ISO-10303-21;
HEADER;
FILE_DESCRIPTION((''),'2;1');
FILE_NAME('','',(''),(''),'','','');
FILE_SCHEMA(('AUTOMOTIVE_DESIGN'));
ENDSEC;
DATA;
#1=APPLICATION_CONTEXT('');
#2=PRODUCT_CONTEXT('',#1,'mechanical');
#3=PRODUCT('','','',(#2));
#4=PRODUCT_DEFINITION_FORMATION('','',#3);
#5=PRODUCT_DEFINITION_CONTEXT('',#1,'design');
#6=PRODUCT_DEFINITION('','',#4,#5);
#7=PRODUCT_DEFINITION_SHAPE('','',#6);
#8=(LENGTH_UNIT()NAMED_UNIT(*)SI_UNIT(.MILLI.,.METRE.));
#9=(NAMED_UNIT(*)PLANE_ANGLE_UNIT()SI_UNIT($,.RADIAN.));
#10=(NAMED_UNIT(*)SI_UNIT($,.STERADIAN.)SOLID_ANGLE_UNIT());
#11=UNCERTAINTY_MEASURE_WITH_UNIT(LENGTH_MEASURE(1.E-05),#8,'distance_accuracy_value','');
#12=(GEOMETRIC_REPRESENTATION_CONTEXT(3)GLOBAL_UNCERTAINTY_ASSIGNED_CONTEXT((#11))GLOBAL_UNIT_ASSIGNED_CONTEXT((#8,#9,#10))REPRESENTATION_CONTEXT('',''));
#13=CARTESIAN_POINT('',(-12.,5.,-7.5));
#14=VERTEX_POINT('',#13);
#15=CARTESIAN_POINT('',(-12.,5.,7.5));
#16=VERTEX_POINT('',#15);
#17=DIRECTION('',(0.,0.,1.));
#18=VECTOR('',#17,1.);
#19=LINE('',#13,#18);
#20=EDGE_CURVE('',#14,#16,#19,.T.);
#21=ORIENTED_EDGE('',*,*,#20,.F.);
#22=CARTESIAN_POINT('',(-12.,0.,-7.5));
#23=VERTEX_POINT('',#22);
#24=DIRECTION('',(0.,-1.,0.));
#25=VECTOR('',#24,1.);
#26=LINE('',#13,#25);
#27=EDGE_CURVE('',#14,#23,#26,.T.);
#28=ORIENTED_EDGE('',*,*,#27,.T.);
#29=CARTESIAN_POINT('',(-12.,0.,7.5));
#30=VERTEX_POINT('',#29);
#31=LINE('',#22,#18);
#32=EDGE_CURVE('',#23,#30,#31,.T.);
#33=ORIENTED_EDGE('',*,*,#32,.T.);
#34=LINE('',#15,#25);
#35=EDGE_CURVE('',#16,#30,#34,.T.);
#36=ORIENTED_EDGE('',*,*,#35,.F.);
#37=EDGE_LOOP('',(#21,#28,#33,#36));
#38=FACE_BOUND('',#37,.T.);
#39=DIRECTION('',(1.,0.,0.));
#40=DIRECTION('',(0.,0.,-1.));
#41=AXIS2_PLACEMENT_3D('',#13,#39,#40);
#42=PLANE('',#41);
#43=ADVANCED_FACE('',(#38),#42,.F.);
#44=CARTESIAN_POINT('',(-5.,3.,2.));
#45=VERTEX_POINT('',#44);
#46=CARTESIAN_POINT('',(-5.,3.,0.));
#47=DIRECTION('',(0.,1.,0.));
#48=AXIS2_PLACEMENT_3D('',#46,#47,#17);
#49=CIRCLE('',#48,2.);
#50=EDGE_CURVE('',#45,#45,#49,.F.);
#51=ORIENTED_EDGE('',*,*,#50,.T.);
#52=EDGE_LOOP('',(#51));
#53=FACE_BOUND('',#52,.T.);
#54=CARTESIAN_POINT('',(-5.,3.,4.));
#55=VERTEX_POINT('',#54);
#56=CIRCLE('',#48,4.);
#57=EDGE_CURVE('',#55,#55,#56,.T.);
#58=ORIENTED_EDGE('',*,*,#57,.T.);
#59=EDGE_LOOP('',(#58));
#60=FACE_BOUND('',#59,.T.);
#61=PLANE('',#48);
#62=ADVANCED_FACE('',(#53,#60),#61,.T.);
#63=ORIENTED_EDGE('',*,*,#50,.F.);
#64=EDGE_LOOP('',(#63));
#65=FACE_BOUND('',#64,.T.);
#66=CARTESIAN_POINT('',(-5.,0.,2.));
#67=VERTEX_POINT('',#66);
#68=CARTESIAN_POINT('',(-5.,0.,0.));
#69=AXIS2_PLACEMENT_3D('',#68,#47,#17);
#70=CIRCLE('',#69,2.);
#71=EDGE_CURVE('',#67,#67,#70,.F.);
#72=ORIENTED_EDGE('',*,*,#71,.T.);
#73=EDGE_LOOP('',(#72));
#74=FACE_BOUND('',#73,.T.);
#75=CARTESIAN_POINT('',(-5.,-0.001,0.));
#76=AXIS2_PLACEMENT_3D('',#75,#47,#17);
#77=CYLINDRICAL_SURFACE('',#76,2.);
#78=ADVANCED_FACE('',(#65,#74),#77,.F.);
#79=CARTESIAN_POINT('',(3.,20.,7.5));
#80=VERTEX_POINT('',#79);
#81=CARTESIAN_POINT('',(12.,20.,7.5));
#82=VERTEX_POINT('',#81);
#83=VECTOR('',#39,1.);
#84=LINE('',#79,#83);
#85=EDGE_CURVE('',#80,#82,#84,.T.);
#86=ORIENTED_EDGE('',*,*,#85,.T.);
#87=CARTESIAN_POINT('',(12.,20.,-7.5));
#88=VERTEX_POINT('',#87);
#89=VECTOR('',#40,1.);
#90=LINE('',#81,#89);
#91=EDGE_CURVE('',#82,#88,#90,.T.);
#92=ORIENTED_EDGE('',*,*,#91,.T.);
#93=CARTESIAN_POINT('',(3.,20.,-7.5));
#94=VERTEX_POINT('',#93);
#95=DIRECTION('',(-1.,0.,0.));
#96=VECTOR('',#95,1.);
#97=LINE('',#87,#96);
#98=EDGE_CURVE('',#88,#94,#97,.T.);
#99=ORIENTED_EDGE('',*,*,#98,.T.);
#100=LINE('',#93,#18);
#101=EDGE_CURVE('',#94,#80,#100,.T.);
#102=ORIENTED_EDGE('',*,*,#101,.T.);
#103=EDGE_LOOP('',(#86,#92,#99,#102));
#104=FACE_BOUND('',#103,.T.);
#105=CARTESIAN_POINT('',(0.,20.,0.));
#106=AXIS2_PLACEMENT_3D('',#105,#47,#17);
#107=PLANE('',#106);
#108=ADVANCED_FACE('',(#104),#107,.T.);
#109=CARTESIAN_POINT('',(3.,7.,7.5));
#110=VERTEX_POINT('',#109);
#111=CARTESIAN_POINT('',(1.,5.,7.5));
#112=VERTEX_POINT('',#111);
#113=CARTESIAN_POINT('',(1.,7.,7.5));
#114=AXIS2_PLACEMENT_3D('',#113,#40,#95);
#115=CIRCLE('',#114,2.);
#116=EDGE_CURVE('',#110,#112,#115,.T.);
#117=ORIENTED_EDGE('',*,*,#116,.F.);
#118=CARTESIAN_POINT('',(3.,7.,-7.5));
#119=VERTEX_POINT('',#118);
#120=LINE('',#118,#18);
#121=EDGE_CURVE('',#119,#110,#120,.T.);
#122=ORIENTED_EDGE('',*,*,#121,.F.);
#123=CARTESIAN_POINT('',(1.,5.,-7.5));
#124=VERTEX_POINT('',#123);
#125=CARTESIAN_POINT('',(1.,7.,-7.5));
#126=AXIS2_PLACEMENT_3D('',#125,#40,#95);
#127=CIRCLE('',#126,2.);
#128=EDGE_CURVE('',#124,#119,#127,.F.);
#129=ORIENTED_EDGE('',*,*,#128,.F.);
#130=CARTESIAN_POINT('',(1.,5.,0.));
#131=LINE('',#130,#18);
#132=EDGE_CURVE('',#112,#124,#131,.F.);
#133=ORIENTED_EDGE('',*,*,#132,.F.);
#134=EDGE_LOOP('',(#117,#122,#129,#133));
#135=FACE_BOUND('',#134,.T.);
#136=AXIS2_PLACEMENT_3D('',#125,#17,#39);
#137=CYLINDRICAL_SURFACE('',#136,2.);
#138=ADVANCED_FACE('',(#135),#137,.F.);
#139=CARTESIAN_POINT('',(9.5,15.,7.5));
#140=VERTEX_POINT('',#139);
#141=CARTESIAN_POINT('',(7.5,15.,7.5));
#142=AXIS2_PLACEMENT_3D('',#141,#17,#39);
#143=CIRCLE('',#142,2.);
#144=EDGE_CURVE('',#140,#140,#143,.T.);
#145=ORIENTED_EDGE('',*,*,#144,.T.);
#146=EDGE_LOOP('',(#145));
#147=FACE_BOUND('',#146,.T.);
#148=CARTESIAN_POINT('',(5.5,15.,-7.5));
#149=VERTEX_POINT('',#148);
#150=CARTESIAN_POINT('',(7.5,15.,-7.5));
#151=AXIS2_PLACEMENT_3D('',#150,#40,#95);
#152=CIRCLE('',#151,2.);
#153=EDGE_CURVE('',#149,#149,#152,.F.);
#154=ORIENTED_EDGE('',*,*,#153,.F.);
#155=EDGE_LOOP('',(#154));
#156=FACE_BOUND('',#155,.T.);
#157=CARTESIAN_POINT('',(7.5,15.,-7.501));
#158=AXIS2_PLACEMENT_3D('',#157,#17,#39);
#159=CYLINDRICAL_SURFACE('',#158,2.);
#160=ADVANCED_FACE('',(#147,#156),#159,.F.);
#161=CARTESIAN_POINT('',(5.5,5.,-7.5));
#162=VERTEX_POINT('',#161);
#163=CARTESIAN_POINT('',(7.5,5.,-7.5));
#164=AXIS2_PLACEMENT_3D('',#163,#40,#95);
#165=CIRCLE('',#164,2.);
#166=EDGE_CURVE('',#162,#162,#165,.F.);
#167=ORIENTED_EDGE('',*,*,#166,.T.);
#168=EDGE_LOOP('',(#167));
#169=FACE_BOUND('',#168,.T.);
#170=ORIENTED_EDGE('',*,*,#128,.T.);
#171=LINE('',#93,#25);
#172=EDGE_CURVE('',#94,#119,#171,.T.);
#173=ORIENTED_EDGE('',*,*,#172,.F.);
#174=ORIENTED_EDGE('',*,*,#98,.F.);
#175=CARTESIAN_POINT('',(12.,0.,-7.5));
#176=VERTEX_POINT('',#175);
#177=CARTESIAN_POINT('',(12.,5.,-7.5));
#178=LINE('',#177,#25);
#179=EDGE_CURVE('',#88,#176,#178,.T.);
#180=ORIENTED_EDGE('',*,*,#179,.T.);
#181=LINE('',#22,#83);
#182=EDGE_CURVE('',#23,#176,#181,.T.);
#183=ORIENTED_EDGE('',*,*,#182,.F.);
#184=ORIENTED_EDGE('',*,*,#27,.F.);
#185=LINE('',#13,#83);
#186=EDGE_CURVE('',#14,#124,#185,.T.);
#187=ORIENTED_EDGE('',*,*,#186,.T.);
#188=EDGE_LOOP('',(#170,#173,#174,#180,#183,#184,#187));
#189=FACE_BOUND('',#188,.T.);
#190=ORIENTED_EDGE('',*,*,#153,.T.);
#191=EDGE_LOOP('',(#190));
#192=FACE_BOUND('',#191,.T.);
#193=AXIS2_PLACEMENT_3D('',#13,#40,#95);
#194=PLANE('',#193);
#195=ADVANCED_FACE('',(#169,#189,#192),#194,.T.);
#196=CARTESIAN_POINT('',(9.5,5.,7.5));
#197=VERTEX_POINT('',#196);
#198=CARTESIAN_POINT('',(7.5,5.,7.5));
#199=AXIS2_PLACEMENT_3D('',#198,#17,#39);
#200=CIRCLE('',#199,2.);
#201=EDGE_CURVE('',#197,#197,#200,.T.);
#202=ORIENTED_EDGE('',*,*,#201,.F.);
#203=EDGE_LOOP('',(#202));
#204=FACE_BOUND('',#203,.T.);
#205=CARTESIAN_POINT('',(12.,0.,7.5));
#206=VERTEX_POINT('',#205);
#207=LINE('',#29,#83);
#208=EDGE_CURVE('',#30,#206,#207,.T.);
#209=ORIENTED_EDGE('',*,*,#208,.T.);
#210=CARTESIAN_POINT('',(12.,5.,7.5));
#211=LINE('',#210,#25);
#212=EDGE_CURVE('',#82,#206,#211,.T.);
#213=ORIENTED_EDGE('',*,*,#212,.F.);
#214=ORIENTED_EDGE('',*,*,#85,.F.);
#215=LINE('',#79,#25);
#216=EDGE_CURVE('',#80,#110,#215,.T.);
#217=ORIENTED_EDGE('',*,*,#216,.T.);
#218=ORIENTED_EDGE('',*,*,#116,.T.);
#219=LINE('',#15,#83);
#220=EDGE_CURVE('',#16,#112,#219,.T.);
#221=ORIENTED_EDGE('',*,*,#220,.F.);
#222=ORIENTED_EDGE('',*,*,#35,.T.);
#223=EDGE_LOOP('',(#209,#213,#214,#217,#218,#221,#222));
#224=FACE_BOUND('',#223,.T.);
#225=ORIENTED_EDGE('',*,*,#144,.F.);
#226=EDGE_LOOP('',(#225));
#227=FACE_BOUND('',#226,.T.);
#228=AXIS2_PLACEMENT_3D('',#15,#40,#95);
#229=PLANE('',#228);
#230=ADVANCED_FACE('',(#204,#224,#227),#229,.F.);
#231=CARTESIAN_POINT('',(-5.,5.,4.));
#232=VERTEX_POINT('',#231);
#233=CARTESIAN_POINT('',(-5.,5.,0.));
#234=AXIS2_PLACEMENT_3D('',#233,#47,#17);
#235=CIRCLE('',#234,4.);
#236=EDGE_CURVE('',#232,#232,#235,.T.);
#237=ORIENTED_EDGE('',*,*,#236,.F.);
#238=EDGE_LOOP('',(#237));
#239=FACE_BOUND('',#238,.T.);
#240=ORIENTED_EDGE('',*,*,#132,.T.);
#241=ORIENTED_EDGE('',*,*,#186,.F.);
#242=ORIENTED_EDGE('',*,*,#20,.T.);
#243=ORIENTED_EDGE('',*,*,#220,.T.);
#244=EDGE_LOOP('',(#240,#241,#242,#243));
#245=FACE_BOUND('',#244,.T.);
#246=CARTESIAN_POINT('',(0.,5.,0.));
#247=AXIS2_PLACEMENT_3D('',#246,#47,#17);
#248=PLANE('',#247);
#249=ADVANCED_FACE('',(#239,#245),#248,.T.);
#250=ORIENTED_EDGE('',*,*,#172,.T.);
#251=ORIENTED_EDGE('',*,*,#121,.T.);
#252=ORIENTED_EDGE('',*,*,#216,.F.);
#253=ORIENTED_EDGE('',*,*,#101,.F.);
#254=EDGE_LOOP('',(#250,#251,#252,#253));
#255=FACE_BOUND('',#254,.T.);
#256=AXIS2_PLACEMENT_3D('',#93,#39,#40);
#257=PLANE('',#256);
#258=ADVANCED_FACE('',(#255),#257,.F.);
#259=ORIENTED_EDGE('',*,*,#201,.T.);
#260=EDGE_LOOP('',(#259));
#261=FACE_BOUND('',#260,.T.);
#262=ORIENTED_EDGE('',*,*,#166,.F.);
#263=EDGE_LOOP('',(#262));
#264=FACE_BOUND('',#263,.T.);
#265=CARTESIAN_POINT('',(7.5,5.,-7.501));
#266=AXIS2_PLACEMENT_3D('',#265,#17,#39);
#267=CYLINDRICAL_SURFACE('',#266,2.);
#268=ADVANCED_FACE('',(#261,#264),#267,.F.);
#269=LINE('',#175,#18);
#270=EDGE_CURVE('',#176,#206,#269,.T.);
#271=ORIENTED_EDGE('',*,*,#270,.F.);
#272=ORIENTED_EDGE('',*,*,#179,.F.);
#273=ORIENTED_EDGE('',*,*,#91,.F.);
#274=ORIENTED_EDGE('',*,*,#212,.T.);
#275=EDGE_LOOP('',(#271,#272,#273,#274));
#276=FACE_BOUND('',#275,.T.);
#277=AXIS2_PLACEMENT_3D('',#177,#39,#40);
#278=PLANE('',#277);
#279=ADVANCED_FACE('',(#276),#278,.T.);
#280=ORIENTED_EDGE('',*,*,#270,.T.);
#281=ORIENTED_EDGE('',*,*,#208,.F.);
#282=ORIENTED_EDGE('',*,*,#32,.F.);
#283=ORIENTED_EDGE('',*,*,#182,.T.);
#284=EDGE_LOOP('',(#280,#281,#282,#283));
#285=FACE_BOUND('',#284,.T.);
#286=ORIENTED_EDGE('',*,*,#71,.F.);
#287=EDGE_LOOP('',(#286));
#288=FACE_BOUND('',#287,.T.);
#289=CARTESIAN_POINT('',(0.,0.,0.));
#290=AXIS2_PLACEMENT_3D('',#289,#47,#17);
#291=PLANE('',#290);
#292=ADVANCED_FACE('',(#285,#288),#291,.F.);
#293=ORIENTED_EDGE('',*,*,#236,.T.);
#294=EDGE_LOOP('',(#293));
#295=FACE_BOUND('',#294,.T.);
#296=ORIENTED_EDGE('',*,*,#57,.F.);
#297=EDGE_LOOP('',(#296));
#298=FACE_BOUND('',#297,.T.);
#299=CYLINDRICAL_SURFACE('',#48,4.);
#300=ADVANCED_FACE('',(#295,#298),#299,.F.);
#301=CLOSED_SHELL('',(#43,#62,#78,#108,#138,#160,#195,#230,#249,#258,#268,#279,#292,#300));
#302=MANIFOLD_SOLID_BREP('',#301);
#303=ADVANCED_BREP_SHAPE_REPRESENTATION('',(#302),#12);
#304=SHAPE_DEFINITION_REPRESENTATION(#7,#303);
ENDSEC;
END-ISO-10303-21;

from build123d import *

# Parameters (mm, degrees)
SKETCH1_W           = 24
SKETCH1_H           = 15
BOSS_EXTRUDE2_DEPTH = 5
SKETCH8_W           = 9
SKETCH8_H           = 15
BOSS_EXTRUDE3_DEPTH = 15
CUT_EXTRUDE3_REACH  = 7
SKETCH10_R          = 2
SKETCH9_R           = 4
CUT_EXTRUDE4_DEPTH  = 2
CUT_EXTRUDE5_REACH  = 17
SKETCH11_R          = 2
FILLET4_R           = 2


with BuildPart() as part:
    # Sketch1 → Boss-Extrude2 (new body)
    with BuildSketch(Plane(origin=(0, 0, 0), x_dir=(1, 0, 0), z_dir=(0, 1, 0))):
        Rectangle(SKETCH1_W, SKETCH1_H)
    extrude(amount=BOSS_EXTRUDE2_DEPTH)

    # Sketch8 → Boss-Extrude3 (add)
    with BuildSketch(Plane(origin=(0, 5, 0), x_dir=(1, 0, 0), z_dir=(0, 1, 0))):
        with Locations((7.5, 0)):
            Rectangle(SKETCH8_W, SKETCH8_H)
    extrude(amount=BOSS_EXTRUDE3_DEPTH)

    # Sketch10 → Cut-Extrude3 (cut, up to next)
    with BuildSketch(Plane(origin=(0, 5, 0), x_dir=(1, 0, 0), z_dir=(0, 1, 0)), mode=Mode.PRIVATE) as cut_extrude3_sk1:
        with Locations((-5, 0)):
            Circle(SKETCH10_R)
    cut_extrude3_tool1 = extrude(cut_extrude3_sk1.sketch, amount=-CUT_EXTRUDE3_REACH, mode=Mode.PRIVATE) & part.part
    add(cut_extrude3_tool1.solids().sort_by_distance((-5, 5, 0))[0], mode=Mode.SUBTRACT)

    # Sketch9 → Cut-Extrude4 (cut)
    with BuildSketch(Plane(origin=(0, 5, 0), x_dir=(1, 0, 0), z_dir=(0, 1, 0))):
        with Locations((-5, 0)):
            Circle(SKETCH9_R)
    extrude(amount=-CUT_EXTRUDE4_DEPTH, mode=Mode.SUBTRACT)

    # Sketch11 → Cut-Extrude5 (cut, up to next)
    with BuildSketch(Plane.XY.offset(7.5), mode=Mode.PRIVATE) as cut_extrude5_sk1:
        with Locations((7.5, 15)):
            Circle(SKETCH11_R)
    cut_extrude5_tool1 = extrude(cut_extrude5_sk1.sketch, amount=-CUT_EXTRUDE5_REACH, mode=Mode.PRIVATE) & part.part
    add(cut_extrude5_tool1.solids().sort_by_distance((7.5, 15, 7.5))[0], mode=Mode.SUBTRACT)
    # Sketch11 → Cut-Extrude5 (cut, up to next)
    with BuildSketch(Plane.XY.offset(7.5), mode=Mode.PRIVATE) as cut_extrude5_sk2:
        with Locations((7.5, 5)):
            Circle(SKETCH11_R)
    cut_extrude5_tool2 = extrude(cut_extrude5_sk2.sketch, amount=-CUT_EXTRUDE5_REACH, mode=Mode.PRIVATE) & part.part
    add(cut_extrude5_tool2.solids().sort_by_distance((7.5, 5, 7.5))[0], mode=Mode.SUBTRACT)

    # Fillet4
    fillet4_edges = [part.edges().sort_by_distance(p)[0] for p in [
        (3, 5, 0),
    ]]
    fillet(fillet4_edges, radius=FILLET4_R)


solid = part.part
